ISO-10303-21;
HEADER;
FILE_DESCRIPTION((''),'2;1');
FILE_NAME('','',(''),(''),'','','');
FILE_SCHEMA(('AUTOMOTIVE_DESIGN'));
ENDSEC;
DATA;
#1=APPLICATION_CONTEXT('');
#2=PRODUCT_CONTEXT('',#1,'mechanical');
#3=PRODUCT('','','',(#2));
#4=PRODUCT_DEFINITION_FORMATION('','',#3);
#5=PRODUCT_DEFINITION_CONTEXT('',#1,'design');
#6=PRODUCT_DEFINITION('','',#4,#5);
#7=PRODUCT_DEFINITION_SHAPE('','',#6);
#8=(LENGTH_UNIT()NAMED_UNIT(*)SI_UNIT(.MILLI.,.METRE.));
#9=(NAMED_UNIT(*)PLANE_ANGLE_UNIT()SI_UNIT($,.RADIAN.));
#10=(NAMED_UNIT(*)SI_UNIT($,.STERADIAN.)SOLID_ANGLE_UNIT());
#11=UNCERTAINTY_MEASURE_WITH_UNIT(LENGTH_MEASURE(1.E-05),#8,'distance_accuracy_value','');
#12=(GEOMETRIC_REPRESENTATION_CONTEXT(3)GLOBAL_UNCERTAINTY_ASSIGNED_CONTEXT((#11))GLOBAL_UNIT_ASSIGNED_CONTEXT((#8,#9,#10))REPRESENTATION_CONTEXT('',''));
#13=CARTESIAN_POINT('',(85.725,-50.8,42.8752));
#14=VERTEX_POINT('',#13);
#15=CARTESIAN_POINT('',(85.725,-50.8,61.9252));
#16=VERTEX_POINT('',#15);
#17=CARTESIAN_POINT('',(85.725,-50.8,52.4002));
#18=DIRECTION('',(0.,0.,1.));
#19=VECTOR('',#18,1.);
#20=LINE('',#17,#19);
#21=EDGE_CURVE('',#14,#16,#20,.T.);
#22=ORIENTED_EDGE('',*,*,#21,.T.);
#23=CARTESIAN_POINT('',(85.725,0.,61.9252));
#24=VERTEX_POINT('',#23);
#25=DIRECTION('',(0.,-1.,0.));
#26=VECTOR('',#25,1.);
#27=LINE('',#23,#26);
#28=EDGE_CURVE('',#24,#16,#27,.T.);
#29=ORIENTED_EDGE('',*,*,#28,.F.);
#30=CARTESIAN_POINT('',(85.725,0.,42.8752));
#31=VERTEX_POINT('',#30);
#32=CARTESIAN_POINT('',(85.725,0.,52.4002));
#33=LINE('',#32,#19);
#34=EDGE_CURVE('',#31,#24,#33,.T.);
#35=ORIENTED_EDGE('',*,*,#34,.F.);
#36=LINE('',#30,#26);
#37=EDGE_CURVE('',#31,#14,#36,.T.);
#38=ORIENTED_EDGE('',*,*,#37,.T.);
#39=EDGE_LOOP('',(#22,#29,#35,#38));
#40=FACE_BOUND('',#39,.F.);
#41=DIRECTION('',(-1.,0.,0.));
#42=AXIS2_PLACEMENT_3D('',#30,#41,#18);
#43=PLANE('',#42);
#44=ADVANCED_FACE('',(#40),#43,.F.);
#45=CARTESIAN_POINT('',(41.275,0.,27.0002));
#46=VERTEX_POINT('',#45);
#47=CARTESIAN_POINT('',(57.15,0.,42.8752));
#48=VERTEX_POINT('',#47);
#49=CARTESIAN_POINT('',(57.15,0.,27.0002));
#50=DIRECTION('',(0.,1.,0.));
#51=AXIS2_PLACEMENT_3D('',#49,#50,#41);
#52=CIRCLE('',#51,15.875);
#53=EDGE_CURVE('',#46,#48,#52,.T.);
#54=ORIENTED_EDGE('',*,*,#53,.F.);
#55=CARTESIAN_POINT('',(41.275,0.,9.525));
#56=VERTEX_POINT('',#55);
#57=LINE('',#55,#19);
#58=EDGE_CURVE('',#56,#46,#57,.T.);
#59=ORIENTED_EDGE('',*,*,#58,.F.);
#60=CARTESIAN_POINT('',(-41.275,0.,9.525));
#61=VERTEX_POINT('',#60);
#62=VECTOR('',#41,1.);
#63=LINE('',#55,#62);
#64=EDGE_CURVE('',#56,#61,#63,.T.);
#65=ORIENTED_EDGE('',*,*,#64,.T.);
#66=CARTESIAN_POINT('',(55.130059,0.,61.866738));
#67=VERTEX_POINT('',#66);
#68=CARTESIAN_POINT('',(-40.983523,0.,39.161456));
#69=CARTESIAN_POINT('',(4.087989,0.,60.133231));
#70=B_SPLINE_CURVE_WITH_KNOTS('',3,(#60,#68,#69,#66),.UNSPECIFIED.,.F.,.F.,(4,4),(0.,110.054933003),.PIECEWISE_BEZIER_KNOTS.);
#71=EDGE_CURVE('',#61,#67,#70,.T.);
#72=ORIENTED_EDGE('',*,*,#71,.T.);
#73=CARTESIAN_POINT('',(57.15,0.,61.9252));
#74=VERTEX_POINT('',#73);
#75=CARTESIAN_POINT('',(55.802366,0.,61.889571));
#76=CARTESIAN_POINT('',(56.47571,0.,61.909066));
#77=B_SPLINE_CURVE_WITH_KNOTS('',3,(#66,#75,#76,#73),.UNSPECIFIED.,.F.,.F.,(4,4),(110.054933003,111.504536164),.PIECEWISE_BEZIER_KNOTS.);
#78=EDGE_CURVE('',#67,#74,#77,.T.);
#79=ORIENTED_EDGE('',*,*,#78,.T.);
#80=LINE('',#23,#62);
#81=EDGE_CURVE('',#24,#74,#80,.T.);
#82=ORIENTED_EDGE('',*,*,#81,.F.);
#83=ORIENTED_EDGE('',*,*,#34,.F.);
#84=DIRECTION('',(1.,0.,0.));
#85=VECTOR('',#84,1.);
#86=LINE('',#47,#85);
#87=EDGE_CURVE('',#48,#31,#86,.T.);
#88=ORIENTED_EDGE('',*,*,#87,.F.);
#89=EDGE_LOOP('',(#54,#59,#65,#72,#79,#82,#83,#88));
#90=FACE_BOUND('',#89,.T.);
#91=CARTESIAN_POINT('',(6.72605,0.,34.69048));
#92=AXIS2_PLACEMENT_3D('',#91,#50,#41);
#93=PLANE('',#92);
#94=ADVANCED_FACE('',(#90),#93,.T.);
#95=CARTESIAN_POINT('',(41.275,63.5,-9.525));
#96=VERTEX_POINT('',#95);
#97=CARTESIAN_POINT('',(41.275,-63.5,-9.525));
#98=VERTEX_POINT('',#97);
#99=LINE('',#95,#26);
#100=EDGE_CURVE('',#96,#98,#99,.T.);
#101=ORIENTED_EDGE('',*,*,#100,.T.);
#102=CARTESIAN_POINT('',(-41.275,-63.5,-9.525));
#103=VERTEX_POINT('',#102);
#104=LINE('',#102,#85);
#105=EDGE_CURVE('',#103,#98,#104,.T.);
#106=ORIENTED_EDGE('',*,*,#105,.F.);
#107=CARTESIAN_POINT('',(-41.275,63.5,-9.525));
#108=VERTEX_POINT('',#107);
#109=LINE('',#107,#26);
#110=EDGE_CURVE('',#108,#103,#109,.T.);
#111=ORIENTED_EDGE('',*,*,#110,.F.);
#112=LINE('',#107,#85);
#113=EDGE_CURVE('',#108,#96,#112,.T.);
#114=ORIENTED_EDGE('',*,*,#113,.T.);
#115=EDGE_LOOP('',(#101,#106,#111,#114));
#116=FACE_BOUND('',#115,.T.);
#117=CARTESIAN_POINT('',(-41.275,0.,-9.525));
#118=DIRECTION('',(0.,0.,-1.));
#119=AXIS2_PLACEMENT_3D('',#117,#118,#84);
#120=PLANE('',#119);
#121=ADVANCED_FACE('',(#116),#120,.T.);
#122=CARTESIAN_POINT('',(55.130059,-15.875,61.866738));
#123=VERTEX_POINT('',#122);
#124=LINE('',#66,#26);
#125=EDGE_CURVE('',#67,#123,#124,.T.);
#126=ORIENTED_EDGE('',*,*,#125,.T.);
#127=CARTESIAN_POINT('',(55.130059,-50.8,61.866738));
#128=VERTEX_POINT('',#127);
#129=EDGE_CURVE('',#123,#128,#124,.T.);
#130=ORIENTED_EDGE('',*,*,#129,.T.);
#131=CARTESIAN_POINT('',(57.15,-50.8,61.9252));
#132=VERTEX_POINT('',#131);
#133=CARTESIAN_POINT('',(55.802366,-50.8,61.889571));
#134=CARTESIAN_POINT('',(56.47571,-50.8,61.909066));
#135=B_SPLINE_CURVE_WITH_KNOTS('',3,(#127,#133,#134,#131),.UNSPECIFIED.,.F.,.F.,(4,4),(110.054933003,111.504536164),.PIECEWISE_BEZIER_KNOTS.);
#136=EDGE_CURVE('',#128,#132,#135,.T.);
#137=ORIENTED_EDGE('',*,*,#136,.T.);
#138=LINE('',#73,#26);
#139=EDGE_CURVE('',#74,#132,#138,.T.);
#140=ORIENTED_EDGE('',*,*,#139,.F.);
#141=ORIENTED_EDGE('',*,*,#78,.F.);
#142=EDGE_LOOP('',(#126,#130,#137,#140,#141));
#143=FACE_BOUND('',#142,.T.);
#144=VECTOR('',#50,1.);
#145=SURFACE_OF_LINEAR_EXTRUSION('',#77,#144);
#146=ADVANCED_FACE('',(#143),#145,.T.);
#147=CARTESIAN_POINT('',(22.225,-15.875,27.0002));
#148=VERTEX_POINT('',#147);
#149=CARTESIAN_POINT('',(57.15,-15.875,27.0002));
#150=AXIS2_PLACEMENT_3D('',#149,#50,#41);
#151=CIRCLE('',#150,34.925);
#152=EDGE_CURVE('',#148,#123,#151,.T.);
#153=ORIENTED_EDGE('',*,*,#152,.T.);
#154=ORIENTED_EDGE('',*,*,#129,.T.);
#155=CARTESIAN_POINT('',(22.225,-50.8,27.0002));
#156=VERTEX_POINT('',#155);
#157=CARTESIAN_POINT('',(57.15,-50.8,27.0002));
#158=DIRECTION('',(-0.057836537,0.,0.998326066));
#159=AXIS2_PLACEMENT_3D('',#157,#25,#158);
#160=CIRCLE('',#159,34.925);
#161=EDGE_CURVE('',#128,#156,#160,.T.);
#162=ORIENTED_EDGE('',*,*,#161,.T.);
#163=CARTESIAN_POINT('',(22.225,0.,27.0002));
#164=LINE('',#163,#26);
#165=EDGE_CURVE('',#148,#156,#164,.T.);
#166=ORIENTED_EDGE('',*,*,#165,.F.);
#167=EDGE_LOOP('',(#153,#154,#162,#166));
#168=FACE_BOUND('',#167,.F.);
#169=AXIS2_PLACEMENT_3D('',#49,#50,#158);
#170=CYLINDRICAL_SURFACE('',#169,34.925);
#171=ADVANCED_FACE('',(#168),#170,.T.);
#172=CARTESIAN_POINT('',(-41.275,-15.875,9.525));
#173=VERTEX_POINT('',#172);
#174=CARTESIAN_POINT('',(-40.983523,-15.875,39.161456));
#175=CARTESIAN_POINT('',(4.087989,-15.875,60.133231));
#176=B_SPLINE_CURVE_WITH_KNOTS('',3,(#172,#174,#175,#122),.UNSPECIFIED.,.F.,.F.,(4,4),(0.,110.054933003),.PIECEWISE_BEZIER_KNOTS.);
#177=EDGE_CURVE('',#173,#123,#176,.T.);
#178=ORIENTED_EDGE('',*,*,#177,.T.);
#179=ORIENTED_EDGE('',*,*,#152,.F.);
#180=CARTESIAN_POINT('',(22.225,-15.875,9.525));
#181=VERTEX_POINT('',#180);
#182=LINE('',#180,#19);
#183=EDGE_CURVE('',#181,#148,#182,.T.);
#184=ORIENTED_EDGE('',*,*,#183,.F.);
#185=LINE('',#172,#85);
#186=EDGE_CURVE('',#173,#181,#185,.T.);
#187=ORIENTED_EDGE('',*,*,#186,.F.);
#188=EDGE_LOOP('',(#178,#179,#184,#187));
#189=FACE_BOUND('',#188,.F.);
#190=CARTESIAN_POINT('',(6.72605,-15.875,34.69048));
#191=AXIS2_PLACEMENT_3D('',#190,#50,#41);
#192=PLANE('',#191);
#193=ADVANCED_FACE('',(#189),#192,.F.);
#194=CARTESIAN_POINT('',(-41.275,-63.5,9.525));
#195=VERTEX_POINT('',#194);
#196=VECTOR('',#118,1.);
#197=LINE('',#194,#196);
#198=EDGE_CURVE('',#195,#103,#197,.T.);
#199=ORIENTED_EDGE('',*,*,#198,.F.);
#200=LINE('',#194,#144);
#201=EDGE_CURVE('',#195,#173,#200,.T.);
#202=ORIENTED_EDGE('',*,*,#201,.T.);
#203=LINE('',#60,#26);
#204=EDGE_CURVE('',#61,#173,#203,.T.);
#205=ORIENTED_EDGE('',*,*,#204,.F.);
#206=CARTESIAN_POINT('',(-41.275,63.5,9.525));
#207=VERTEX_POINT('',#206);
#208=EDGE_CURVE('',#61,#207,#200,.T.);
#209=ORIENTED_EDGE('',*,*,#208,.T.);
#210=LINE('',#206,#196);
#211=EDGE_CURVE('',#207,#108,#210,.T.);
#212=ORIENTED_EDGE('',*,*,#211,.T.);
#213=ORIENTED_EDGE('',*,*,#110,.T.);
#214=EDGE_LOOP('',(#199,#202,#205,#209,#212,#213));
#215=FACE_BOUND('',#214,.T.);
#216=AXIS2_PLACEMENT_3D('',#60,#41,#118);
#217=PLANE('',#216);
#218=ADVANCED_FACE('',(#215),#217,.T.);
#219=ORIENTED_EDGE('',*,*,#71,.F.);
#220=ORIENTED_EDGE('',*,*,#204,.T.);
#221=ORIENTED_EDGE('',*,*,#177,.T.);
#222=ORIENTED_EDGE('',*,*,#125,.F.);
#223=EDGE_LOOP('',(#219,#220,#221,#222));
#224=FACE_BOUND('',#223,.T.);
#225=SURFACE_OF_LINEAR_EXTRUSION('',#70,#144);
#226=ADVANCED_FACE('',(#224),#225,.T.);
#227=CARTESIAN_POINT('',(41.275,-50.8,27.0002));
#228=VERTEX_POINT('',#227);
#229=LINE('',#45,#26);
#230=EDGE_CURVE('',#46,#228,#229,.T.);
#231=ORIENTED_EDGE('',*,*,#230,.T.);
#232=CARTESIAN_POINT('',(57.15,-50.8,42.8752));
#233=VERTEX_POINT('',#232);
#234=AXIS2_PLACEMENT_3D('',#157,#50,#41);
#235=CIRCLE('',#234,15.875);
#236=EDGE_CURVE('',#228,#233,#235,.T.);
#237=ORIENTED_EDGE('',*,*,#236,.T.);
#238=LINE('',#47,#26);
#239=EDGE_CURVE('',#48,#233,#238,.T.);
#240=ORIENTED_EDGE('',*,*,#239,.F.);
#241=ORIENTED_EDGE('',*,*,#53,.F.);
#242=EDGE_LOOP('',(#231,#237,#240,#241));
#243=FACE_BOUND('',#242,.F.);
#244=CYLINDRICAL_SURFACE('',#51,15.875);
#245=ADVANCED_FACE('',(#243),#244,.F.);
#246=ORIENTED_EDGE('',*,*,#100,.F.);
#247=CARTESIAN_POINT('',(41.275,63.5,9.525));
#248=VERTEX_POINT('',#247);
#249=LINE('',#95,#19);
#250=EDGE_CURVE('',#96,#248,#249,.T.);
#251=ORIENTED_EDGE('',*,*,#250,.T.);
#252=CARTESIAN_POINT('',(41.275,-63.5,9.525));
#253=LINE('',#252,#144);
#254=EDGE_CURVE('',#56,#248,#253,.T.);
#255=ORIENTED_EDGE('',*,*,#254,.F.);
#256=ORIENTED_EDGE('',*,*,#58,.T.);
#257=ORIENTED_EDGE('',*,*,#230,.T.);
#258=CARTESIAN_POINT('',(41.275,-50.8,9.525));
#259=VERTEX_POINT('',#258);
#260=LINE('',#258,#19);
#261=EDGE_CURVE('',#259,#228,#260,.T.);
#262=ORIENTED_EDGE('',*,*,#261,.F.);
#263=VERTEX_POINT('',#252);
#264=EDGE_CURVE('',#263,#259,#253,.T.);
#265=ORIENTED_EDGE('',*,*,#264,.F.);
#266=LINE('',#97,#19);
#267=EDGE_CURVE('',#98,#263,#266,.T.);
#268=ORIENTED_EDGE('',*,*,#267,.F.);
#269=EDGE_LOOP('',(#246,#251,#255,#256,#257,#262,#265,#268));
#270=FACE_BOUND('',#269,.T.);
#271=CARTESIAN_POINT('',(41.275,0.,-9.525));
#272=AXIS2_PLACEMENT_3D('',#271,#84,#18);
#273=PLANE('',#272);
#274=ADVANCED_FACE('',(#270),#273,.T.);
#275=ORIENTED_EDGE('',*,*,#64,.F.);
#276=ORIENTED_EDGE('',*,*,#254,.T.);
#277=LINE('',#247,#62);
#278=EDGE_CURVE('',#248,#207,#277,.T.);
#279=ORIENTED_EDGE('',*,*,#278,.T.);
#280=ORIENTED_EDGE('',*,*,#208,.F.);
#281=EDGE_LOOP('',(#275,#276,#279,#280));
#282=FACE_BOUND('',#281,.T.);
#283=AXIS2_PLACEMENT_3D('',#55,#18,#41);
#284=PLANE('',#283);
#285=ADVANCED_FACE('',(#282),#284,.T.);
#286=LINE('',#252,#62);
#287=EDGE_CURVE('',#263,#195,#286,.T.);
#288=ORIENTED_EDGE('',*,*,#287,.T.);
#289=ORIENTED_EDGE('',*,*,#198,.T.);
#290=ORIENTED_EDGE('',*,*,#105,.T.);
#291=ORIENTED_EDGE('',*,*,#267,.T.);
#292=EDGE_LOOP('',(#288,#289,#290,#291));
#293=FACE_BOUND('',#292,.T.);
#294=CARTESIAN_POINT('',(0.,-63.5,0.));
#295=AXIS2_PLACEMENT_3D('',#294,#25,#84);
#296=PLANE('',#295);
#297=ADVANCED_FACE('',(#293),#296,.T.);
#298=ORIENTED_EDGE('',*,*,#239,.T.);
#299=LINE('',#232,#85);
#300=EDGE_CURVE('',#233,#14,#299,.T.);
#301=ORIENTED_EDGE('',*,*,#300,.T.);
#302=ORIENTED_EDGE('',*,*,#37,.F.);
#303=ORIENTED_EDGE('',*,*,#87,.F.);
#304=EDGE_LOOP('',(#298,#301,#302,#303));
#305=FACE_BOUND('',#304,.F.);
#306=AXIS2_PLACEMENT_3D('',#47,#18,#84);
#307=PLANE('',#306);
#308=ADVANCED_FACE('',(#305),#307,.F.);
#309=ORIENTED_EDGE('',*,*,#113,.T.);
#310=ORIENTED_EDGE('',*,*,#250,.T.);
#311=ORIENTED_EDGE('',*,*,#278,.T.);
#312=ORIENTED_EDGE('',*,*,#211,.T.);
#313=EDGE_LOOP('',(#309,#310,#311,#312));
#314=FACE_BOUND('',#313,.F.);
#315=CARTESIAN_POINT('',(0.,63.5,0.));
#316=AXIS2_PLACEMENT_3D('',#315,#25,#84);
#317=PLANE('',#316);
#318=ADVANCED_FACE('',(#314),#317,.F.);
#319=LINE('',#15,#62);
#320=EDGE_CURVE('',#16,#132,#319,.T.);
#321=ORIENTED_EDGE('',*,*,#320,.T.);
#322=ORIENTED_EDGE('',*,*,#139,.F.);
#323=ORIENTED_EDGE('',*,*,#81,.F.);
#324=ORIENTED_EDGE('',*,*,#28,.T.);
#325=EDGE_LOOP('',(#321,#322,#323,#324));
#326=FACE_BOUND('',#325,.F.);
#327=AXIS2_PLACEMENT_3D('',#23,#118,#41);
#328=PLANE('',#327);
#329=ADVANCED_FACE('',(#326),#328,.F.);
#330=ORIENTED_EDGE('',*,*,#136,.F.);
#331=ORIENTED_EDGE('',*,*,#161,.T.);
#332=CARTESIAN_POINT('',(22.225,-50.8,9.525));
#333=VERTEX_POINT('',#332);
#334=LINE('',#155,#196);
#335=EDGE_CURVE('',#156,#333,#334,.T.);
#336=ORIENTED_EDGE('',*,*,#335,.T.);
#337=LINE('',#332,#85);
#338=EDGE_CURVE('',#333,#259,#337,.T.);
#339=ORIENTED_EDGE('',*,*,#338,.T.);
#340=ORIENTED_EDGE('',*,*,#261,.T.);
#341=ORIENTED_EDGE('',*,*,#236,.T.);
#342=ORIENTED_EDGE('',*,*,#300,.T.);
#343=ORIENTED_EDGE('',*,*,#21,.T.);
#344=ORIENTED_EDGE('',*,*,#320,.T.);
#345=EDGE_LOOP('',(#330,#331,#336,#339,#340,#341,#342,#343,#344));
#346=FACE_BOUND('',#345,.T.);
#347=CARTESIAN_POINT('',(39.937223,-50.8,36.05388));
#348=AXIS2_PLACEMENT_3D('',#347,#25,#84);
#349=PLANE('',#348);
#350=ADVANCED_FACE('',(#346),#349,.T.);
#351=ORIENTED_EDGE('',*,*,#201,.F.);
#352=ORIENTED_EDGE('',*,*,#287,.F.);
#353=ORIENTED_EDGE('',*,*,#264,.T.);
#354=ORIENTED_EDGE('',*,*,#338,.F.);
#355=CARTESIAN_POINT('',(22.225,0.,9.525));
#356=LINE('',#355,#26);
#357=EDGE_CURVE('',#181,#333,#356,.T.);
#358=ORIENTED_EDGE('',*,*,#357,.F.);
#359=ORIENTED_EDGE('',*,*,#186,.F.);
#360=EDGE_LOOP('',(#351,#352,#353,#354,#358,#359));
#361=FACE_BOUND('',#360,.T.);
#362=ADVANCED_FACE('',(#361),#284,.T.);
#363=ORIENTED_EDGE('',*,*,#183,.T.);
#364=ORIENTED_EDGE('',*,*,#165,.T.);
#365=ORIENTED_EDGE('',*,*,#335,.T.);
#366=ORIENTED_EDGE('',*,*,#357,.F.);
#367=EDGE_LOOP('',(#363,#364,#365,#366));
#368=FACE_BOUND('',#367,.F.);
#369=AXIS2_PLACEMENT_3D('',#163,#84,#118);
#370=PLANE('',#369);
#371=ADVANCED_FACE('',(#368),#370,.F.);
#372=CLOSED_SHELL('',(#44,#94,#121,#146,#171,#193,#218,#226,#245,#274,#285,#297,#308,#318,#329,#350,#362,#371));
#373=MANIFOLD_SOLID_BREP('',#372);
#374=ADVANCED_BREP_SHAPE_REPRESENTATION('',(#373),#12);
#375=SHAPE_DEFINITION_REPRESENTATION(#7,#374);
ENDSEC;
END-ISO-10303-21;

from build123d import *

# Parameters (mm, degrees)
F1_DEPTH = 63.5
F0_W     = 25.4
F0_H     = 19.05
F2_DEPTH = 50.8
F3_DEPTH = 15.875


with BuildPart() as f1:
    # F0 (on Front) → F1 (new body, symmetric)
    with BuildSketch(Plane.XZ):
        Polygon((22.225, 9.525), (-41.275, 9.525), (-41.275, -9.525), (41.275, -9.525), (41.275, 9.525), align=None)
    extrude(amount=F1_DEPTH, both=True)

    # F0 (on Front) → F2 (join)
    with BuildSketch(Plane.XZ):
        with BuildLine():
            Line((22.225, 27.0002), (22.225, 9.525))
            Line((22.225, 9.525), (41.275, 9.525))
            Line((41.275, 9.525), (41.275, 27.0002))
            ThreePointArc((41.275, 27.0002), (45.9246798487, 38.2255201513), (57.15, 42.8752))
            Line((57.15, 42.8752), (60.325, 42.8752))
            Line((60.325, 42.8752), (60.325, 61.9252))
            Line((60.325, 61.9252), (57.15, 61.9252))
            add(Edge.make_bspline(
                [(55.1300589584, 61.8667378721), (55.8023663575, 61.8895709861), (56.4757096001, 61.9090664162), (57.15, 61.9252)],
                knots=[110.0549330029, 110.0549330029, 110.0549330029, 110.0549330029, 111.5045361635, 111.5045361635, 111.5045361635, 111.5045361635], degree=3))
            ThreePointArc((55.1300589584, 61.8667378721), (31.7501765176, 50.9711113732), (22.225, 27.0002))
        make_face()
        with Locations((73.025, 52.4002)):
            Rectangle(F0_W, F0_H)
    extrude(amount=F2_DEPTH)

    # F0 (on Front) → F3 (join)
    with BuildSketch(Plane.XZ):
        with BuildLine():
            add(Edge.make_bspline(
                [(-41.275, 9.525), (-40.983522632, 39.1614563613), (4.0879891143, 60.1332311464), (55.1300589584, 61.8667378721)],
                knots=[0, 0, 0, 0, 110.0549330029, 110.0549330029, 110.0549330029, 110.0549330029], degree=3))
            Line((-41.275, 9.525), (22.225, 9.525))
            Line((22.225, 9.525), (22.225, 27.0002))
            ThreePointArc((22.225, 27.0002), (31.7501765176, 50.9711113732), (55.1300589584, 61.8667378721))
        make_face()
    extrude(amount=F3_DEPTH)


solid = f1.part
